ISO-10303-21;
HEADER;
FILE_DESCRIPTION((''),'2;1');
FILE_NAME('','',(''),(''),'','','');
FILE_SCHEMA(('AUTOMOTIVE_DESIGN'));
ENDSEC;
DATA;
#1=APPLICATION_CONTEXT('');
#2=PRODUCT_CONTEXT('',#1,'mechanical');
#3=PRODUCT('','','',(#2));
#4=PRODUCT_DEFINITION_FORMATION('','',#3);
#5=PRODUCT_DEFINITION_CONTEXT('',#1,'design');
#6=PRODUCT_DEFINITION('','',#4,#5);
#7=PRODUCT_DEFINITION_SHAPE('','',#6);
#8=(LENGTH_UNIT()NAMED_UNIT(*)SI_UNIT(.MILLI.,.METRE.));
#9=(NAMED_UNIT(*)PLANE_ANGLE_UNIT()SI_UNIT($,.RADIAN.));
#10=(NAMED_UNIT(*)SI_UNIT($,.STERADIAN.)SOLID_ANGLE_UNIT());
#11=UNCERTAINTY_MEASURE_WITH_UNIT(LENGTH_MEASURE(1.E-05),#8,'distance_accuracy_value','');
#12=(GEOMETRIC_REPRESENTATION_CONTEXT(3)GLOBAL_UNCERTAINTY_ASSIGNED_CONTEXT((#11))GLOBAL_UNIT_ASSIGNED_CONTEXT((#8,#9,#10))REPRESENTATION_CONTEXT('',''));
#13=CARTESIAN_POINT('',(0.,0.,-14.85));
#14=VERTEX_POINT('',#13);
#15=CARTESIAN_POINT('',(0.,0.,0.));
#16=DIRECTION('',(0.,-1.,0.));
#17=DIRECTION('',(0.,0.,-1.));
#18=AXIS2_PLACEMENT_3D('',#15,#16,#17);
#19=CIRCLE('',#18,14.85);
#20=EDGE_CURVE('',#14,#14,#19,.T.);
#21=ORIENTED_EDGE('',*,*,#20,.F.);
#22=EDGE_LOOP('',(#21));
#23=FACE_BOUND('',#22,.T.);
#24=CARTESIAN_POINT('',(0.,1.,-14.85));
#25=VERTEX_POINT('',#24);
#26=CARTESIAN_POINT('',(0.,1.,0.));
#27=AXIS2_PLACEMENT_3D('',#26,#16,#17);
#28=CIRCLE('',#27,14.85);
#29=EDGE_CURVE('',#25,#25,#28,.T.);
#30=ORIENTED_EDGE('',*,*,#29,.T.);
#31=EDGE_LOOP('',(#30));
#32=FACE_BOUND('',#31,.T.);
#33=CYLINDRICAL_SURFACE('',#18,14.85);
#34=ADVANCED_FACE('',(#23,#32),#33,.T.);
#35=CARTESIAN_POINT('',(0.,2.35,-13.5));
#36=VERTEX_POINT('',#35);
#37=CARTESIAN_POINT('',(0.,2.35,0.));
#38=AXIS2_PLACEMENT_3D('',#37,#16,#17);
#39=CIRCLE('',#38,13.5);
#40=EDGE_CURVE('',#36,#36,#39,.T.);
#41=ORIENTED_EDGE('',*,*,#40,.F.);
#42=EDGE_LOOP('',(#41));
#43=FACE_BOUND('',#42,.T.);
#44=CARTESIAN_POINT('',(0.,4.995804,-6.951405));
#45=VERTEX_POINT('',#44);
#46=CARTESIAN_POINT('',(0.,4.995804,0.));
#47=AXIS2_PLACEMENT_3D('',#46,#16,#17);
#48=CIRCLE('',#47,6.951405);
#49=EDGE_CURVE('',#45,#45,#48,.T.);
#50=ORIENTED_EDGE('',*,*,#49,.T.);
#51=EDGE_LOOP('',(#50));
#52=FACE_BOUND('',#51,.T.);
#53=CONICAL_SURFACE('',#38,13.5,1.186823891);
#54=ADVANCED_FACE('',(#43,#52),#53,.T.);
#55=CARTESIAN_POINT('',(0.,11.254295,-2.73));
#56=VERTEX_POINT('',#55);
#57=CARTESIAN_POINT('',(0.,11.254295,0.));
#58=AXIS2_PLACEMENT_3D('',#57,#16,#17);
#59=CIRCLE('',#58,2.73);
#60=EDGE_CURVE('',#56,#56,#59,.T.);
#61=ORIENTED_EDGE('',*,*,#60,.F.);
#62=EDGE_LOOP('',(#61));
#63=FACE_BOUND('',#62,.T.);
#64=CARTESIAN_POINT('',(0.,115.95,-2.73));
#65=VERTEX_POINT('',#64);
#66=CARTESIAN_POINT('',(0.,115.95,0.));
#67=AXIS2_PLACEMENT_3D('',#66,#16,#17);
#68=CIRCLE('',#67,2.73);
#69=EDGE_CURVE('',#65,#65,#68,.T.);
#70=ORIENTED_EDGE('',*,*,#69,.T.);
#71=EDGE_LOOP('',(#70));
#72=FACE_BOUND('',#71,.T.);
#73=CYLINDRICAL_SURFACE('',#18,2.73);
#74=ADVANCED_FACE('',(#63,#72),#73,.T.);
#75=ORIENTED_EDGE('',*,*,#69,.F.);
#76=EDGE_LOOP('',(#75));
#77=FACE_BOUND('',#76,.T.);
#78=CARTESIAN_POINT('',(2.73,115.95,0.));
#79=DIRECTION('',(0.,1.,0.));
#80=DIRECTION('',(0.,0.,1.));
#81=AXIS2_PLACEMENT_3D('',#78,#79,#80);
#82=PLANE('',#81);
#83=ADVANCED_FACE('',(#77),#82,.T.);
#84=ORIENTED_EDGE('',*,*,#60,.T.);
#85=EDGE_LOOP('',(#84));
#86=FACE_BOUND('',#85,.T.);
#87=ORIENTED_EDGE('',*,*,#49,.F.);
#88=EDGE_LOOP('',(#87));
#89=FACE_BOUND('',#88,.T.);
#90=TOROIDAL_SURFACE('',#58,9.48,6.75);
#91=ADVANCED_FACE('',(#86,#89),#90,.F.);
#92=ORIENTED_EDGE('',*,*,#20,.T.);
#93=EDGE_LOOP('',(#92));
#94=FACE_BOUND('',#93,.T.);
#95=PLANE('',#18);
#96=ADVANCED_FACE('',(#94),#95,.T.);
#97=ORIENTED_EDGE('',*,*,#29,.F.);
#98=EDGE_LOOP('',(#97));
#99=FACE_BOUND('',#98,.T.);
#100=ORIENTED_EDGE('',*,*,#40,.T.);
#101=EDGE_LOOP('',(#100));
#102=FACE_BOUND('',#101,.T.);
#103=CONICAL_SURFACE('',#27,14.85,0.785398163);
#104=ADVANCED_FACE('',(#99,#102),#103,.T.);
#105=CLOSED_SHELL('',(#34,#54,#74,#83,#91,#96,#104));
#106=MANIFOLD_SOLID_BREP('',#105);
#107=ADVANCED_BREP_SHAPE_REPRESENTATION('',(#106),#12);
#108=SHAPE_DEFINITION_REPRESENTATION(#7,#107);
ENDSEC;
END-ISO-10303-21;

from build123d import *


with BuildPart() as part:
    # Sketch1 → Revolve1 (revolve)
    with BuildSketch(Plane.XY, mode=Mode.PRIVATE) as revolve1_sk:
        with BuildLine():
            Line((0, 0), (14.85, 0))
            Line((14.85, 0), (14.85, 1))
            Line((14.85, 1), (13.5, 2.35))
            Line((13.5, 2.35), (6.951405494, 4.995803923))
            ThreePointArc((6.951405494, 4.995803923), (3.883996385, 7.479742843), (2.73, 11.254294941))
            Line((2.73, 11.254294941), (2.73, 115.95))
            Line((2.73, 115.95), (0, 115.95))
            Line((0, 115.95), (0, 0))
        make_face()
    revolve(revolve1_sk.sketch.rotate(Axis((0, 0, 0), (0, 1, 0)), 90), axis=Axis((0, 0, 0), (0, 1, 0)))


solid = part.part
